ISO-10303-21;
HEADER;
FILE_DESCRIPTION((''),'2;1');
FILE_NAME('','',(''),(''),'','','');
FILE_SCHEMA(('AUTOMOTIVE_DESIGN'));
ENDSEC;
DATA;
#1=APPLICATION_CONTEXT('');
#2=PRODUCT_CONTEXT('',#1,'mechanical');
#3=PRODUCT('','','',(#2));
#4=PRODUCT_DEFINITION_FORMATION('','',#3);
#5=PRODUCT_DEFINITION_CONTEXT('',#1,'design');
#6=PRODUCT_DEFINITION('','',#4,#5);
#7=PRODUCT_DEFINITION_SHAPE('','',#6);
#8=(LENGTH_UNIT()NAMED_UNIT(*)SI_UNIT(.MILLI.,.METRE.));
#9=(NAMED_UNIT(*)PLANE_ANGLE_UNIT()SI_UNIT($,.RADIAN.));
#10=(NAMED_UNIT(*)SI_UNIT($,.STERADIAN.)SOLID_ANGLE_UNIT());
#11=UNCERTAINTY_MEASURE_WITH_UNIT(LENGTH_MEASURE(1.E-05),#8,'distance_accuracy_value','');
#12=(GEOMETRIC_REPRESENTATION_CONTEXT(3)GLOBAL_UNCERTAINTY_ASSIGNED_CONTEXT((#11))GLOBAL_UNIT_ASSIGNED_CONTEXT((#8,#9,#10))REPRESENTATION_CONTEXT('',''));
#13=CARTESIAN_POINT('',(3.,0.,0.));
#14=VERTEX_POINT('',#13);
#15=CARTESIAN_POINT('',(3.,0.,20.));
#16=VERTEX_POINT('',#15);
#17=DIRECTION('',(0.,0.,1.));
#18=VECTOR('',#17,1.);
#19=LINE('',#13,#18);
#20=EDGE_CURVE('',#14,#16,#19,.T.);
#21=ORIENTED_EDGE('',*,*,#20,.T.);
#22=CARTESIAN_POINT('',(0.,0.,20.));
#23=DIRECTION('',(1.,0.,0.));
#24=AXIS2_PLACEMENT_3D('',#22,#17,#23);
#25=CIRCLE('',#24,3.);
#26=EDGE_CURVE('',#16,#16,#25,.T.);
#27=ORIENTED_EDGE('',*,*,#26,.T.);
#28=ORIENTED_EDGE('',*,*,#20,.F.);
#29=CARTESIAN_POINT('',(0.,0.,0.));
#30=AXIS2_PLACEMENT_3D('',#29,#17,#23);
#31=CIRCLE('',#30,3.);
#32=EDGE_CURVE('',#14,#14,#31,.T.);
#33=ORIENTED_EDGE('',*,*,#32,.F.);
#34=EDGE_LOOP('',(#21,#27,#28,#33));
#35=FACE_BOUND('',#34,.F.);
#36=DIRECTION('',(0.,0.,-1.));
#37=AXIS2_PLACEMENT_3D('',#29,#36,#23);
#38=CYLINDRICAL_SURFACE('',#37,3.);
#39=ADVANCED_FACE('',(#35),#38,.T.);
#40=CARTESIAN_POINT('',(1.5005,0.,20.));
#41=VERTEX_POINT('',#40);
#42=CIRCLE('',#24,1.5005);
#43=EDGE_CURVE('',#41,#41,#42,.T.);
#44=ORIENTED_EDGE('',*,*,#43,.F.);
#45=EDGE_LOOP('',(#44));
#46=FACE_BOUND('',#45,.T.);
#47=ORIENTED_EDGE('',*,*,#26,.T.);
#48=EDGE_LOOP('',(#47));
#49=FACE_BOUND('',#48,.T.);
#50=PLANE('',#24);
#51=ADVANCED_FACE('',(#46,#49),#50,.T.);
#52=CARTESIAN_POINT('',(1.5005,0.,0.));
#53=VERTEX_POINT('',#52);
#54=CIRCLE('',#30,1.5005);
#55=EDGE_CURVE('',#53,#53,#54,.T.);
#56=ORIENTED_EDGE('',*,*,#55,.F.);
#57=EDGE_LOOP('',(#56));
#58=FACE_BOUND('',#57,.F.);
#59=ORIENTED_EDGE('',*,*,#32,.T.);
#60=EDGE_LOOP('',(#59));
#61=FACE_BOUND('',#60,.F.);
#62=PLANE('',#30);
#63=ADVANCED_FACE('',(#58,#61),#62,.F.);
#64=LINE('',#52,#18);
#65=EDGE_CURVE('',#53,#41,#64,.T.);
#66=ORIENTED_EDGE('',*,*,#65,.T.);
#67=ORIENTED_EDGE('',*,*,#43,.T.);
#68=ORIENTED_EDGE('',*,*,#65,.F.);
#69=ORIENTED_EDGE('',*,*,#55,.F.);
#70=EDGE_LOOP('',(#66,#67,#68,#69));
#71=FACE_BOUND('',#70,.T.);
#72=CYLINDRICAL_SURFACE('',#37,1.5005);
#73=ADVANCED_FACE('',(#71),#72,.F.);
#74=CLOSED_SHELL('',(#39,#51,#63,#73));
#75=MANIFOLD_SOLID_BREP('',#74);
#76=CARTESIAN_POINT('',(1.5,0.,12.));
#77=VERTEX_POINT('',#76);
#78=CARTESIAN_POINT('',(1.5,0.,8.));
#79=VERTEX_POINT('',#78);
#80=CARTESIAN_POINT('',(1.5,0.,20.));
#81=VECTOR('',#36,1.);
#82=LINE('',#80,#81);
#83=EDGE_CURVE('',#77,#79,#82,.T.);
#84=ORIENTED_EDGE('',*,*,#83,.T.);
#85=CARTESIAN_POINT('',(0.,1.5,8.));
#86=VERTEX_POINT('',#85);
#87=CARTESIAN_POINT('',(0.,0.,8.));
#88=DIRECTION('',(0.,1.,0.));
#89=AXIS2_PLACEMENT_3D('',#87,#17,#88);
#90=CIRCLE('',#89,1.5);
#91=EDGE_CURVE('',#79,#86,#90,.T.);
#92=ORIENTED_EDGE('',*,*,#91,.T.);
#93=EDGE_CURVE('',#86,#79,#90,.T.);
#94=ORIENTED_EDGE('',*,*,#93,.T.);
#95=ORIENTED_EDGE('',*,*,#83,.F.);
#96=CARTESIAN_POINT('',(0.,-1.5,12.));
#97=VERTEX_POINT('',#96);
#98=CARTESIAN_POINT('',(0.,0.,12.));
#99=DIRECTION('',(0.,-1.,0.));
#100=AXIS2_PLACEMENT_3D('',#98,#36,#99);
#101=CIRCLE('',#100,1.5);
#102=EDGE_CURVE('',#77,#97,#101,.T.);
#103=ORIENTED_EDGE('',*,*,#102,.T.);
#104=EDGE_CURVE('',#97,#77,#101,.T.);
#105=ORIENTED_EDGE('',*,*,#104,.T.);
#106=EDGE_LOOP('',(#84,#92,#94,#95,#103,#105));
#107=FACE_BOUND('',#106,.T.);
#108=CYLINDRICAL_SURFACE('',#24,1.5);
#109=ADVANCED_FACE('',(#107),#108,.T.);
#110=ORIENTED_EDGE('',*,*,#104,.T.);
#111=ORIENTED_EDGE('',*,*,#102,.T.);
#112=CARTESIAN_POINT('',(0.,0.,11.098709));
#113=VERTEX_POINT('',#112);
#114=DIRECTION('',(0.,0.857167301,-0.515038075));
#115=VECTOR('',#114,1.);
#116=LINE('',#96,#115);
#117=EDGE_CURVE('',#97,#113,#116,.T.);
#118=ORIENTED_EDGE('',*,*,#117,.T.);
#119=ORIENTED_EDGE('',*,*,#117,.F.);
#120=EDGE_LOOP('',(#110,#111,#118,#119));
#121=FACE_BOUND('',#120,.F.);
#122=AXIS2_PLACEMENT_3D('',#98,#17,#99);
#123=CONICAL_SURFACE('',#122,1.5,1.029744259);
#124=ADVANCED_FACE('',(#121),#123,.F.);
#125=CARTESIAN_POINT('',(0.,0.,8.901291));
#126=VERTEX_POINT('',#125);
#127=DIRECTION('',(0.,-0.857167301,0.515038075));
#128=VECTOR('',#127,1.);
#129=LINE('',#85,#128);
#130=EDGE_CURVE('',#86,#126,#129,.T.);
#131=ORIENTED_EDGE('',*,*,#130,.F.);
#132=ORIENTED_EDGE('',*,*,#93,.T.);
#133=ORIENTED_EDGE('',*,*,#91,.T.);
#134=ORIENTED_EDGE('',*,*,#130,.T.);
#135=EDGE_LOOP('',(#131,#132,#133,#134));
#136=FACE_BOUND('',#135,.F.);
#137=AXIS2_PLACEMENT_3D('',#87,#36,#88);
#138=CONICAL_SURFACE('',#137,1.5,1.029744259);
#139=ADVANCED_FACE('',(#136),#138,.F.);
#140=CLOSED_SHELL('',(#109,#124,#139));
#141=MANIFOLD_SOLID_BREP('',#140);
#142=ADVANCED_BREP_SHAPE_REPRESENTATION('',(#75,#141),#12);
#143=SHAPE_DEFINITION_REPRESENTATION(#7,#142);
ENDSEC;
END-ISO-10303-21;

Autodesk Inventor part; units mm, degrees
ref_plane "YZ Plane" through (0, 0, 0) normal (1, 0, 0) x (0, 1, 0)
ref_plane "XZ Plane" through (0, 0, 0) normal (0, 1, 0) x (-1, 0, 0)
ref_plane "XY Plane" through (0, 0, 0) normal (0, 0, 1) x (1, 0, 0)
sketch "スケッチ1" plane through (0, 0, 0) normal (0, 0, 1) x (1, 0, 0)
  circle A0 centre (0, 0) radius 3
  circle A1 centre (0, 0) radius 1.5005
  dimension "d0" = 6
  dimension "d1" = 3.001
extrude "押し出し1" add sketch "スケッチ1" along normal blind 20
sketch "スケッチ2" plane through (0, 0, 20) normal (0, 0, 1) x (1, 0, 0)
  circle A0 centre (0, 0) radius 1.5
  dimension "d4" = 3
extrude "押し出し2" add sketch "スケッチ2" against normal blind 20
hole "穴1" at (0, 0, 20) direction (0, 0, -1) diameter 3 depth 8 tip angle 118
hole "穴2" at (0, 0, 0) direction (0, 0, 1) diameter 3 depth 8 tip angle 118
properties part number "スペーサーm3-20　簡易筒型" material "アルミニウム 2014-T4"
